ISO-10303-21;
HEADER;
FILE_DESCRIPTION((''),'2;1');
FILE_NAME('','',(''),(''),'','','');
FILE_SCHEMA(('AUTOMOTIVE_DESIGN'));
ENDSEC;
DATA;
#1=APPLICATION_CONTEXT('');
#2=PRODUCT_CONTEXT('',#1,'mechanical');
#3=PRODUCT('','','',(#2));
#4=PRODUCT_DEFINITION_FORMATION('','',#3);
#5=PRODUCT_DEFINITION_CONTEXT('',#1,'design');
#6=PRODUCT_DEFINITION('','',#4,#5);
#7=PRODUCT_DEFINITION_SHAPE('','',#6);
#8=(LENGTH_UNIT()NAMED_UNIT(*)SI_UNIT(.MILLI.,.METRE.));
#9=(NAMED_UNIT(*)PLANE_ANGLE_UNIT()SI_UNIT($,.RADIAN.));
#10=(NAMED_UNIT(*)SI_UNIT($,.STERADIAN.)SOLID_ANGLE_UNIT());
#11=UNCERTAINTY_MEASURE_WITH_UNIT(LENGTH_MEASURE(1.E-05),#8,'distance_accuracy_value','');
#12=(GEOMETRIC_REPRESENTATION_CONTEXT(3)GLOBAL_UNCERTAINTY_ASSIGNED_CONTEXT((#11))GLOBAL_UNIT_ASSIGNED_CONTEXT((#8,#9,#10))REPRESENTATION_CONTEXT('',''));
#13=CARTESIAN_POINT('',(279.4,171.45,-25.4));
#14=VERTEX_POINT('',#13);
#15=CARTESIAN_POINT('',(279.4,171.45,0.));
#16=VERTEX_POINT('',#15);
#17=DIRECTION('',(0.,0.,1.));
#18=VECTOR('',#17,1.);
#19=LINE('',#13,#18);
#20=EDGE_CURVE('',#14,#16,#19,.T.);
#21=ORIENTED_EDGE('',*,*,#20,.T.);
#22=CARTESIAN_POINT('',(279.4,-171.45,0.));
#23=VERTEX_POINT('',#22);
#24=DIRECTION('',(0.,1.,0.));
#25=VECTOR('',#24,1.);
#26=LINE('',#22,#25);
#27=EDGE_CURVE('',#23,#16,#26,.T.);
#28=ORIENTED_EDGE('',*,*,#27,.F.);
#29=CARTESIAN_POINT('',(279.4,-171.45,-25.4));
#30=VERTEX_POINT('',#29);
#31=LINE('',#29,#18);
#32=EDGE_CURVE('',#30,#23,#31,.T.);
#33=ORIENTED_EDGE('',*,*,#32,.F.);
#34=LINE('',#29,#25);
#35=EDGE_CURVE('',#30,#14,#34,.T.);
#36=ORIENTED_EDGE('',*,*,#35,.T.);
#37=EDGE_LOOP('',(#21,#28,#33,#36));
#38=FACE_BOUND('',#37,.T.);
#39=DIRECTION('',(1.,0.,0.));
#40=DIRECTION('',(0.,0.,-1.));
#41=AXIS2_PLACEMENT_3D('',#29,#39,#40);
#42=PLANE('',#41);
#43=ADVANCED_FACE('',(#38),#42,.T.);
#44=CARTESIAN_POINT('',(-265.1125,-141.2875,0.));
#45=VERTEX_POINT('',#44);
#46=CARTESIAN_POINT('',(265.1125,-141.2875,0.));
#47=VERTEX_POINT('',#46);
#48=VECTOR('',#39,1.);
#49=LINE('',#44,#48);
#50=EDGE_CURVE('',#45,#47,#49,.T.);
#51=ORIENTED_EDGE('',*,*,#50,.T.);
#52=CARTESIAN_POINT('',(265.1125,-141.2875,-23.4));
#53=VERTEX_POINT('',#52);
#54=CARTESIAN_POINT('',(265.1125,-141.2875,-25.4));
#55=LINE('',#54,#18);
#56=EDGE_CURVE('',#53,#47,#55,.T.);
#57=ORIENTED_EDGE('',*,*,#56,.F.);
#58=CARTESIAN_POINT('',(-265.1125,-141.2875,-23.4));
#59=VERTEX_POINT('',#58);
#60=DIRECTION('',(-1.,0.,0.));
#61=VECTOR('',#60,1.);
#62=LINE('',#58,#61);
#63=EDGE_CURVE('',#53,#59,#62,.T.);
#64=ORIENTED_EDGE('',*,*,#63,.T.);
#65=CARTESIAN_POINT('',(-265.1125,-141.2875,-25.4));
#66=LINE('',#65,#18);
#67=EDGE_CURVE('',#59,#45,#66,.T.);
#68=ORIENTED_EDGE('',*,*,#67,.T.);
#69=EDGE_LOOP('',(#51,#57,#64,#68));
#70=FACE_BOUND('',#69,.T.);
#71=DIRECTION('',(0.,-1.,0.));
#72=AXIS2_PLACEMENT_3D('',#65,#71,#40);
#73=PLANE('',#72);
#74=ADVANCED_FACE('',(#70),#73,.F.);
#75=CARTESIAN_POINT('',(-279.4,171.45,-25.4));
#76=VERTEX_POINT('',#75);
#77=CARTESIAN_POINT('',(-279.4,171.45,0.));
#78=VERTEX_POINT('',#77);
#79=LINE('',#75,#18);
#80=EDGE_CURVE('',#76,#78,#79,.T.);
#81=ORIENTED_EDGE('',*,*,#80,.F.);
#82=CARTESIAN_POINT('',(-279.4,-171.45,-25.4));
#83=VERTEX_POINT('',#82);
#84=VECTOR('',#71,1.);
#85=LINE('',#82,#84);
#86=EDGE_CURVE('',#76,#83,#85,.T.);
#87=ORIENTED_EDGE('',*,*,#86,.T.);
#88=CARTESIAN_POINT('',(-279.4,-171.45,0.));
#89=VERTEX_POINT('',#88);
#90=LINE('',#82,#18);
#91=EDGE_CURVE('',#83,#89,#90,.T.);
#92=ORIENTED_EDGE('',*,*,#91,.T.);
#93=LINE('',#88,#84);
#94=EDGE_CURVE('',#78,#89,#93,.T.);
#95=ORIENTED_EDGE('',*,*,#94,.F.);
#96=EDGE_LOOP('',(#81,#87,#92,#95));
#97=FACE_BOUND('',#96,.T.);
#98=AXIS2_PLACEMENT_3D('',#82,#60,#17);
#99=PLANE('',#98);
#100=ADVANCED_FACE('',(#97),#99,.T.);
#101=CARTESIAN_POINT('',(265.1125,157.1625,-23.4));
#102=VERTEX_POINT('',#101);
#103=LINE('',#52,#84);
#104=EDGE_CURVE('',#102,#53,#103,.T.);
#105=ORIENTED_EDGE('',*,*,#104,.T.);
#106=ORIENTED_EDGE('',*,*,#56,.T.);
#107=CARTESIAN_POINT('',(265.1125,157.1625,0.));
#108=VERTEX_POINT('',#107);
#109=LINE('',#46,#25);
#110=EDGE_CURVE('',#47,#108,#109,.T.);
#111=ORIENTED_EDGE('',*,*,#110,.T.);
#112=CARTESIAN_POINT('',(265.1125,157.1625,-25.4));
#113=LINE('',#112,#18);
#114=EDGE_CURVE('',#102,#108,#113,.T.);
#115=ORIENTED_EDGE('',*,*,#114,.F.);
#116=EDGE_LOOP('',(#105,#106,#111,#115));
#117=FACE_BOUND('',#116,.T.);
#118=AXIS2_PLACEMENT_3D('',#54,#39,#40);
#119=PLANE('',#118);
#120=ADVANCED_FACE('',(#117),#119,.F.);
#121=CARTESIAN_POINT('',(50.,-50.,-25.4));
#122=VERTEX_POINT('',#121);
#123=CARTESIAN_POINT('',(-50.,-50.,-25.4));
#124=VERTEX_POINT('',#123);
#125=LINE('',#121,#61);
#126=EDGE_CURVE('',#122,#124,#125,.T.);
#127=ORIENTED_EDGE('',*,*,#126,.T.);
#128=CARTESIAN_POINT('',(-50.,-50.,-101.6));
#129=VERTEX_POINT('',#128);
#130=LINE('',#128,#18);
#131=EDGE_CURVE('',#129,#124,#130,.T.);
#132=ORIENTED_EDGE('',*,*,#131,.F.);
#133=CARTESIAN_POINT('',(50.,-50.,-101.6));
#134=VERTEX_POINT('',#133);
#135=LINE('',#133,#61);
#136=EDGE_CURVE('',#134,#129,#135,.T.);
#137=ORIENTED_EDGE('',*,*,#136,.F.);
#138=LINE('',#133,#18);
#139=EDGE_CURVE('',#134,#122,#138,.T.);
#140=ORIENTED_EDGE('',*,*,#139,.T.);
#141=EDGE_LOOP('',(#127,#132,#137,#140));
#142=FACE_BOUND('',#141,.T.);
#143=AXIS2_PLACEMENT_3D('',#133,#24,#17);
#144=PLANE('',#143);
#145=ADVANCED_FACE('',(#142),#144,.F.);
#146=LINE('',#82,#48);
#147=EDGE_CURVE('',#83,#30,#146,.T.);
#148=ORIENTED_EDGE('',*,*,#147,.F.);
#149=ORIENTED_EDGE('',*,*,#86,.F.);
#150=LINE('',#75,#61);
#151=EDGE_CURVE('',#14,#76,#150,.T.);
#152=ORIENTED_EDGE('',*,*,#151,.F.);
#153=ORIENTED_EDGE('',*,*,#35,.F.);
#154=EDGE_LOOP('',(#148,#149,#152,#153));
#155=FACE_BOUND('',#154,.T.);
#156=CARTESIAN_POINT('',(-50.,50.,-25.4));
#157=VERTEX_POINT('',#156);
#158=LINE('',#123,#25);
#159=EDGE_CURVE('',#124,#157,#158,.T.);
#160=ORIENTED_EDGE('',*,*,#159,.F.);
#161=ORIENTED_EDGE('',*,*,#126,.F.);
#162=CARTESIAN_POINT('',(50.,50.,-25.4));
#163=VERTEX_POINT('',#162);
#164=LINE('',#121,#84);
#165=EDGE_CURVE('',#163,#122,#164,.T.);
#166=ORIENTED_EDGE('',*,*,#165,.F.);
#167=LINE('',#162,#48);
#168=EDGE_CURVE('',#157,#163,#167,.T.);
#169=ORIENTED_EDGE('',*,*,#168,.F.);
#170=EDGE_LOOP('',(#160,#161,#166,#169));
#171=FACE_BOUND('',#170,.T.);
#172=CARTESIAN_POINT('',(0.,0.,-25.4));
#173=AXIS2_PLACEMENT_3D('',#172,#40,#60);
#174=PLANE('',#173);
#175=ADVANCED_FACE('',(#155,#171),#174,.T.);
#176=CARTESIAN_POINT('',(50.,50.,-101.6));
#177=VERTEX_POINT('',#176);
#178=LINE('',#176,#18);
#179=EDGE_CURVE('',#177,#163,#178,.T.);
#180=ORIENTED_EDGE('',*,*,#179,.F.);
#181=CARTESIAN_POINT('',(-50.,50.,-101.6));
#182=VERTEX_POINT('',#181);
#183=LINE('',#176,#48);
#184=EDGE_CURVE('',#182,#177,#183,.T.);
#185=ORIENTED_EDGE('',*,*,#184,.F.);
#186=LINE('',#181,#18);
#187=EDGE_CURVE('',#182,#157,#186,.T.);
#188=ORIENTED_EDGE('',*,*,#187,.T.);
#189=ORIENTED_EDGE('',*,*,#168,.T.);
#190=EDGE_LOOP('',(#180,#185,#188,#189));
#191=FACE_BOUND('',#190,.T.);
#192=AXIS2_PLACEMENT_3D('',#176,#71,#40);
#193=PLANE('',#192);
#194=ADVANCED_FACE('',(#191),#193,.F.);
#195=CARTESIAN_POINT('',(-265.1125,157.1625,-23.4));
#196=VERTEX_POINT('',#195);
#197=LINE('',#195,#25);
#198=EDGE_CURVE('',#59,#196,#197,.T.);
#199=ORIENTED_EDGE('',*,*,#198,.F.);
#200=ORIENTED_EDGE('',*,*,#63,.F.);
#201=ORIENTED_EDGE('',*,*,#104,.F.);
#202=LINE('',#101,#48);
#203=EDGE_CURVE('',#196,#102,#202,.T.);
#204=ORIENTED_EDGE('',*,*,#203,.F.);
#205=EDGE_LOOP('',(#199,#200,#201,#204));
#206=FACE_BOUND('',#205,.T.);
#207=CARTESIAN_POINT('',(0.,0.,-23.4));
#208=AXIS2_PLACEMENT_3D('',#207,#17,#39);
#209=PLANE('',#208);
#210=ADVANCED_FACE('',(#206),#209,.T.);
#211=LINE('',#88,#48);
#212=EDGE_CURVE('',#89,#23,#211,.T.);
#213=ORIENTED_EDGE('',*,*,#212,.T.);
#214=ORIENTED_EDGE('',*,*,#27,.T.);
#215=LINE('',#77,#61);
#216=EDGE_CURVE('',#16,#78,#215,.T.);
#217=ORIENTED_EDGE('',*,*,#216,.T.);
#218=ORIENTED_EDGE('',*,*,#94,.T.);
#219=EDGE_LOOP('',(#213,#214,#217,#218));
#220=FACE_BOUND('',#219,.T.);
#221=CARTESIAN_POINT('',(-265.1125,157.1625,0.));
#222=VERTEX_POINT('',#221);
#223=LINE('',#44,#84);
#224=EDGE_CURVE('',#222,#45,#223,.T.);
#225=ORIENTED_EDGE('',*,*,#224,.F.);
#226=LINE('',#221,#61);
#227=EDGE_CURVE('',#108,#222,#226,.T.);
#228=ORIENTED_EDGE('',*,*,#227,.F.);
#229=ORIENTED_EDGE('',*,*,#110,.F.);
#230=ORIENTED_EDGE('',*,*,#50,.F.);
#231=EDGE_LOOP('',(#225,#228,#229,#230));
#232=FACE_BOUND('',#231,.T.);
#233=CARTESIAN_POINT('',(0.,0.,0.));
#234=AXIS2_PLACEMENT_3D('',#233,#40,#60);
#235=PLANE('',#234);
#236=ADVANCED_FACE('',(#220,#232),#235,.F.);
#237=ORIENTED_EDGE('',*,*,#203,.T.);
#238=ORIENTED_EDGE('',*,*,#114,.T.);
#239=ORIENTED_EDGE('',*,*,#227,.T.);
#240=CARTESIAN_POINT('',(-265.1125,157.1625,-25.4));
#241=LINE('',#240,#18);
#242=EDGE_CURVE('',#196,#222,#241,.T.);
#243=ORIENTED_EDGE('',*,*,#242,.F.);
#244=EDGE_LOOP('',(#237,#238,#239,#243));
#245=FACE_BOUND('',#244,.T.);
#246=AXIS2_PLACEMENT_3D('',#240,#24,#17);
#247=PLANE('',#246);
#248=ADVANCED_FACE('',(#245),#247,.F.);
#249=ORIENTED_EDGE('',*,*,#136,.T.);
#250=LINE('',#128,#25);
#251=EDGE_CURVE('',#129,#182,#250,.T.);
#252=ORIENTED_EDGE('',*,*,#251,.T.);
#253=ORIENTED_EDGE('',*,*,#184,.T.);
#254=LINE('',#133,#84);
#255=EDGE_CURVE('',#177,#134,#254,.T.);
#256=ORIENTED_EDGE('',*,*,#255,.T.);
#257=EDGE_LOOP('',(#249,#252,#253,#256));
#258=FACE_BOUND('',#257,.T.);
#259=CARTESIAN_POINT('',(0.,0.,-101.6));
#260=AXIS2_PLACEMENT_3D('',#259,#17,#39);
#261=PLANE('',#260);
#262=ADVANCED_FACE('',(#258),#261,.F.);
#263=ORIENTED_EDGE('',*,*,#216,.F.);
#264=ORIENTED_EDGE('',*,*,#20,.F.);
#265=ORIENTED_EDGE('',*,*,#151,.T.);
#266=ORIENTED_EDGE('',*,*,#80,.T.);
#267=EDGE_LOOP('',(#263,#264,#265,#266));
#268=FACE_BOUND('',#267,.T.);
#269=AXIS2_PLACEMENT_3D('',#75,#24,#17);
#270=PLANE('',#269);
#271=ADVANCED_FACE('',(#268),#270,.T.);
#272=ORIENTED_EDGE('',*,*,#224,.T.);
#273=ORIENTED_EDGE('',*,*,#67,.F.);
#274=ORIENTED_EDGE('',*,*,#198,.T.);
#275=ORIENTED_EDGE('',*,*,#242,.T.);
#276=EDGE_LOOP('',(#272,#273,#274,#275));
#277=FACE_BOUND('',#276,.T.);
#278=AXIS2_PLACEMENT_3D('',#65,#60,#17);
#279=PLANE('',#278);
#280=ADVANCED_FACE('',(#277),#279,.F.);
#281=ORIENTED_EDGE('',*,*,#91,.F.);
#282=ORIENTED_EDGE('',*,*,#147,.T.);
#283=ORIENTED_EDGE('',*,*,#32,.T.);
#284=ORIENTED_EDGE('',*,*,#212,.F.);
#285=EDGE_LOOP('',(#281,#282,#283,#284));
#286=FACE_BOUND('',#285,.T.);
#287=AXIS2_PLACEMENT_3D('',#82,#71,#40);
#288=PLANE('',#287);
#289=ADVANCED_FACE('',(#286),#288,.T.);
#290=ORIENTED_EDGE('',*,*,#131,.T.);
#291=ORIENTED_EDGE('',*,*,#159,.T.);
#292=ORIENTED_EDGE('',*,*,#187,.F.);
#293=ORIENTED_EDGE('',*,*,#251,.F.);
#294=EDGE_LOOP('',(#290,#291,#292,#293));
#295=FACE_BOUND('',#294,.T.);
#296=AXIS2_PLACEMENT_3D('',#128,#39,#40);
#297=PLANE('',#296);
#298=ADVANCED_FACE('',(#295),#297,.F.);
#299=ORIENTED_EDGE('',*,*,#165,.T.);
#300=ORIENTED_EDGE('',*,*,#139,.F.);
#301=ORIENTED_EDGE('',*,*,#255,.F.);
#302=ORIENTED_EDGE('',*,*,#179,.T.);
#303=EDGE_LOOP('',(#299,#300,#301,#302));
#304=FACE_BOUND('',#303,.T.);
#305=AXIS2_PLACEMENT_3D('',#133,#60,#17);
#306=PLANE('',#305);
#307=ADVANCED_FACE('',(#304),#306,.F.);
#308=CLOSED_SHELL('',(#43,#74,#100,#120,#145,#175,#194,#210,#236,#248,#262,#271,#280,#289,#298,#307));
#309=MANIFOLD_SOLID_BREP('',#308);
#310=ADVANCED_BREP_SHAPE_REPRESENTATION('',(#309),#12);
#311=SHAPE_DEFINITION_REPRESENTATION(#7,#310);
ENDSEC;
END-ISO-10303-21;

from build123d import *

# Parameters (mm, degrees)
SKETCH1_W           = 558.8
SKETCH1_H           = 342.9
SKETCH1_W_2         = 530.225
SKETCH1_H_2         = 298.45
BOSS_EXTRUDE1_DEPTH = 25.4
SKETCH2_W           = 530.225
SKETCH2_H           = 298.45
BOSS_EXTRUDE2_DEPTH = 2
SKETCH3_W           = 100
SKETCH3_H           = 100
BOSS_EXTRUDE3_DEPTH = 76.2


with BuildPart() as part:
    # Sketch1 → Boss-Extrude1 (new body)
    with BuildSketch(Plane.XY):
        Rectangle(SKETCH1_W, SKETCH1_H)
        with Locations((0, 7.9375)):
            Rectangle(SKETCH1_W_2, SKETCH1_H_2, mode=Mode.SUBTRACT)
    extrude(amount=-BOSS_EXTRUDE1_DEPTH)

    # Sketch2 → Boss-Extrude2 (add)
    with BuildSketch(Plane(origin=(0, 0, -25.4), x_dir=(-1, 0, 0), z_dir=(0, 0, -1))):
        with Locations((0, 7.9375)):
            Rectangle(SKETCH2_W, SKETCH2_H)
    extrude(amount=-BOSS_EXTRUDE2_DEPTH)

    # Sketch3 → Boss-Extrude3 (add)
    with BuildSketch(Plane(origin=(0, 0, -25.4), x_dir=(-1, 0, 0), z_dir=(0, 0, -1))):
        Rectangle(SKETCH3_W, SKETCH3_H)
    extrude(amount=BOSS_EXTRUDE3_DEPTH)


solid = part.part
